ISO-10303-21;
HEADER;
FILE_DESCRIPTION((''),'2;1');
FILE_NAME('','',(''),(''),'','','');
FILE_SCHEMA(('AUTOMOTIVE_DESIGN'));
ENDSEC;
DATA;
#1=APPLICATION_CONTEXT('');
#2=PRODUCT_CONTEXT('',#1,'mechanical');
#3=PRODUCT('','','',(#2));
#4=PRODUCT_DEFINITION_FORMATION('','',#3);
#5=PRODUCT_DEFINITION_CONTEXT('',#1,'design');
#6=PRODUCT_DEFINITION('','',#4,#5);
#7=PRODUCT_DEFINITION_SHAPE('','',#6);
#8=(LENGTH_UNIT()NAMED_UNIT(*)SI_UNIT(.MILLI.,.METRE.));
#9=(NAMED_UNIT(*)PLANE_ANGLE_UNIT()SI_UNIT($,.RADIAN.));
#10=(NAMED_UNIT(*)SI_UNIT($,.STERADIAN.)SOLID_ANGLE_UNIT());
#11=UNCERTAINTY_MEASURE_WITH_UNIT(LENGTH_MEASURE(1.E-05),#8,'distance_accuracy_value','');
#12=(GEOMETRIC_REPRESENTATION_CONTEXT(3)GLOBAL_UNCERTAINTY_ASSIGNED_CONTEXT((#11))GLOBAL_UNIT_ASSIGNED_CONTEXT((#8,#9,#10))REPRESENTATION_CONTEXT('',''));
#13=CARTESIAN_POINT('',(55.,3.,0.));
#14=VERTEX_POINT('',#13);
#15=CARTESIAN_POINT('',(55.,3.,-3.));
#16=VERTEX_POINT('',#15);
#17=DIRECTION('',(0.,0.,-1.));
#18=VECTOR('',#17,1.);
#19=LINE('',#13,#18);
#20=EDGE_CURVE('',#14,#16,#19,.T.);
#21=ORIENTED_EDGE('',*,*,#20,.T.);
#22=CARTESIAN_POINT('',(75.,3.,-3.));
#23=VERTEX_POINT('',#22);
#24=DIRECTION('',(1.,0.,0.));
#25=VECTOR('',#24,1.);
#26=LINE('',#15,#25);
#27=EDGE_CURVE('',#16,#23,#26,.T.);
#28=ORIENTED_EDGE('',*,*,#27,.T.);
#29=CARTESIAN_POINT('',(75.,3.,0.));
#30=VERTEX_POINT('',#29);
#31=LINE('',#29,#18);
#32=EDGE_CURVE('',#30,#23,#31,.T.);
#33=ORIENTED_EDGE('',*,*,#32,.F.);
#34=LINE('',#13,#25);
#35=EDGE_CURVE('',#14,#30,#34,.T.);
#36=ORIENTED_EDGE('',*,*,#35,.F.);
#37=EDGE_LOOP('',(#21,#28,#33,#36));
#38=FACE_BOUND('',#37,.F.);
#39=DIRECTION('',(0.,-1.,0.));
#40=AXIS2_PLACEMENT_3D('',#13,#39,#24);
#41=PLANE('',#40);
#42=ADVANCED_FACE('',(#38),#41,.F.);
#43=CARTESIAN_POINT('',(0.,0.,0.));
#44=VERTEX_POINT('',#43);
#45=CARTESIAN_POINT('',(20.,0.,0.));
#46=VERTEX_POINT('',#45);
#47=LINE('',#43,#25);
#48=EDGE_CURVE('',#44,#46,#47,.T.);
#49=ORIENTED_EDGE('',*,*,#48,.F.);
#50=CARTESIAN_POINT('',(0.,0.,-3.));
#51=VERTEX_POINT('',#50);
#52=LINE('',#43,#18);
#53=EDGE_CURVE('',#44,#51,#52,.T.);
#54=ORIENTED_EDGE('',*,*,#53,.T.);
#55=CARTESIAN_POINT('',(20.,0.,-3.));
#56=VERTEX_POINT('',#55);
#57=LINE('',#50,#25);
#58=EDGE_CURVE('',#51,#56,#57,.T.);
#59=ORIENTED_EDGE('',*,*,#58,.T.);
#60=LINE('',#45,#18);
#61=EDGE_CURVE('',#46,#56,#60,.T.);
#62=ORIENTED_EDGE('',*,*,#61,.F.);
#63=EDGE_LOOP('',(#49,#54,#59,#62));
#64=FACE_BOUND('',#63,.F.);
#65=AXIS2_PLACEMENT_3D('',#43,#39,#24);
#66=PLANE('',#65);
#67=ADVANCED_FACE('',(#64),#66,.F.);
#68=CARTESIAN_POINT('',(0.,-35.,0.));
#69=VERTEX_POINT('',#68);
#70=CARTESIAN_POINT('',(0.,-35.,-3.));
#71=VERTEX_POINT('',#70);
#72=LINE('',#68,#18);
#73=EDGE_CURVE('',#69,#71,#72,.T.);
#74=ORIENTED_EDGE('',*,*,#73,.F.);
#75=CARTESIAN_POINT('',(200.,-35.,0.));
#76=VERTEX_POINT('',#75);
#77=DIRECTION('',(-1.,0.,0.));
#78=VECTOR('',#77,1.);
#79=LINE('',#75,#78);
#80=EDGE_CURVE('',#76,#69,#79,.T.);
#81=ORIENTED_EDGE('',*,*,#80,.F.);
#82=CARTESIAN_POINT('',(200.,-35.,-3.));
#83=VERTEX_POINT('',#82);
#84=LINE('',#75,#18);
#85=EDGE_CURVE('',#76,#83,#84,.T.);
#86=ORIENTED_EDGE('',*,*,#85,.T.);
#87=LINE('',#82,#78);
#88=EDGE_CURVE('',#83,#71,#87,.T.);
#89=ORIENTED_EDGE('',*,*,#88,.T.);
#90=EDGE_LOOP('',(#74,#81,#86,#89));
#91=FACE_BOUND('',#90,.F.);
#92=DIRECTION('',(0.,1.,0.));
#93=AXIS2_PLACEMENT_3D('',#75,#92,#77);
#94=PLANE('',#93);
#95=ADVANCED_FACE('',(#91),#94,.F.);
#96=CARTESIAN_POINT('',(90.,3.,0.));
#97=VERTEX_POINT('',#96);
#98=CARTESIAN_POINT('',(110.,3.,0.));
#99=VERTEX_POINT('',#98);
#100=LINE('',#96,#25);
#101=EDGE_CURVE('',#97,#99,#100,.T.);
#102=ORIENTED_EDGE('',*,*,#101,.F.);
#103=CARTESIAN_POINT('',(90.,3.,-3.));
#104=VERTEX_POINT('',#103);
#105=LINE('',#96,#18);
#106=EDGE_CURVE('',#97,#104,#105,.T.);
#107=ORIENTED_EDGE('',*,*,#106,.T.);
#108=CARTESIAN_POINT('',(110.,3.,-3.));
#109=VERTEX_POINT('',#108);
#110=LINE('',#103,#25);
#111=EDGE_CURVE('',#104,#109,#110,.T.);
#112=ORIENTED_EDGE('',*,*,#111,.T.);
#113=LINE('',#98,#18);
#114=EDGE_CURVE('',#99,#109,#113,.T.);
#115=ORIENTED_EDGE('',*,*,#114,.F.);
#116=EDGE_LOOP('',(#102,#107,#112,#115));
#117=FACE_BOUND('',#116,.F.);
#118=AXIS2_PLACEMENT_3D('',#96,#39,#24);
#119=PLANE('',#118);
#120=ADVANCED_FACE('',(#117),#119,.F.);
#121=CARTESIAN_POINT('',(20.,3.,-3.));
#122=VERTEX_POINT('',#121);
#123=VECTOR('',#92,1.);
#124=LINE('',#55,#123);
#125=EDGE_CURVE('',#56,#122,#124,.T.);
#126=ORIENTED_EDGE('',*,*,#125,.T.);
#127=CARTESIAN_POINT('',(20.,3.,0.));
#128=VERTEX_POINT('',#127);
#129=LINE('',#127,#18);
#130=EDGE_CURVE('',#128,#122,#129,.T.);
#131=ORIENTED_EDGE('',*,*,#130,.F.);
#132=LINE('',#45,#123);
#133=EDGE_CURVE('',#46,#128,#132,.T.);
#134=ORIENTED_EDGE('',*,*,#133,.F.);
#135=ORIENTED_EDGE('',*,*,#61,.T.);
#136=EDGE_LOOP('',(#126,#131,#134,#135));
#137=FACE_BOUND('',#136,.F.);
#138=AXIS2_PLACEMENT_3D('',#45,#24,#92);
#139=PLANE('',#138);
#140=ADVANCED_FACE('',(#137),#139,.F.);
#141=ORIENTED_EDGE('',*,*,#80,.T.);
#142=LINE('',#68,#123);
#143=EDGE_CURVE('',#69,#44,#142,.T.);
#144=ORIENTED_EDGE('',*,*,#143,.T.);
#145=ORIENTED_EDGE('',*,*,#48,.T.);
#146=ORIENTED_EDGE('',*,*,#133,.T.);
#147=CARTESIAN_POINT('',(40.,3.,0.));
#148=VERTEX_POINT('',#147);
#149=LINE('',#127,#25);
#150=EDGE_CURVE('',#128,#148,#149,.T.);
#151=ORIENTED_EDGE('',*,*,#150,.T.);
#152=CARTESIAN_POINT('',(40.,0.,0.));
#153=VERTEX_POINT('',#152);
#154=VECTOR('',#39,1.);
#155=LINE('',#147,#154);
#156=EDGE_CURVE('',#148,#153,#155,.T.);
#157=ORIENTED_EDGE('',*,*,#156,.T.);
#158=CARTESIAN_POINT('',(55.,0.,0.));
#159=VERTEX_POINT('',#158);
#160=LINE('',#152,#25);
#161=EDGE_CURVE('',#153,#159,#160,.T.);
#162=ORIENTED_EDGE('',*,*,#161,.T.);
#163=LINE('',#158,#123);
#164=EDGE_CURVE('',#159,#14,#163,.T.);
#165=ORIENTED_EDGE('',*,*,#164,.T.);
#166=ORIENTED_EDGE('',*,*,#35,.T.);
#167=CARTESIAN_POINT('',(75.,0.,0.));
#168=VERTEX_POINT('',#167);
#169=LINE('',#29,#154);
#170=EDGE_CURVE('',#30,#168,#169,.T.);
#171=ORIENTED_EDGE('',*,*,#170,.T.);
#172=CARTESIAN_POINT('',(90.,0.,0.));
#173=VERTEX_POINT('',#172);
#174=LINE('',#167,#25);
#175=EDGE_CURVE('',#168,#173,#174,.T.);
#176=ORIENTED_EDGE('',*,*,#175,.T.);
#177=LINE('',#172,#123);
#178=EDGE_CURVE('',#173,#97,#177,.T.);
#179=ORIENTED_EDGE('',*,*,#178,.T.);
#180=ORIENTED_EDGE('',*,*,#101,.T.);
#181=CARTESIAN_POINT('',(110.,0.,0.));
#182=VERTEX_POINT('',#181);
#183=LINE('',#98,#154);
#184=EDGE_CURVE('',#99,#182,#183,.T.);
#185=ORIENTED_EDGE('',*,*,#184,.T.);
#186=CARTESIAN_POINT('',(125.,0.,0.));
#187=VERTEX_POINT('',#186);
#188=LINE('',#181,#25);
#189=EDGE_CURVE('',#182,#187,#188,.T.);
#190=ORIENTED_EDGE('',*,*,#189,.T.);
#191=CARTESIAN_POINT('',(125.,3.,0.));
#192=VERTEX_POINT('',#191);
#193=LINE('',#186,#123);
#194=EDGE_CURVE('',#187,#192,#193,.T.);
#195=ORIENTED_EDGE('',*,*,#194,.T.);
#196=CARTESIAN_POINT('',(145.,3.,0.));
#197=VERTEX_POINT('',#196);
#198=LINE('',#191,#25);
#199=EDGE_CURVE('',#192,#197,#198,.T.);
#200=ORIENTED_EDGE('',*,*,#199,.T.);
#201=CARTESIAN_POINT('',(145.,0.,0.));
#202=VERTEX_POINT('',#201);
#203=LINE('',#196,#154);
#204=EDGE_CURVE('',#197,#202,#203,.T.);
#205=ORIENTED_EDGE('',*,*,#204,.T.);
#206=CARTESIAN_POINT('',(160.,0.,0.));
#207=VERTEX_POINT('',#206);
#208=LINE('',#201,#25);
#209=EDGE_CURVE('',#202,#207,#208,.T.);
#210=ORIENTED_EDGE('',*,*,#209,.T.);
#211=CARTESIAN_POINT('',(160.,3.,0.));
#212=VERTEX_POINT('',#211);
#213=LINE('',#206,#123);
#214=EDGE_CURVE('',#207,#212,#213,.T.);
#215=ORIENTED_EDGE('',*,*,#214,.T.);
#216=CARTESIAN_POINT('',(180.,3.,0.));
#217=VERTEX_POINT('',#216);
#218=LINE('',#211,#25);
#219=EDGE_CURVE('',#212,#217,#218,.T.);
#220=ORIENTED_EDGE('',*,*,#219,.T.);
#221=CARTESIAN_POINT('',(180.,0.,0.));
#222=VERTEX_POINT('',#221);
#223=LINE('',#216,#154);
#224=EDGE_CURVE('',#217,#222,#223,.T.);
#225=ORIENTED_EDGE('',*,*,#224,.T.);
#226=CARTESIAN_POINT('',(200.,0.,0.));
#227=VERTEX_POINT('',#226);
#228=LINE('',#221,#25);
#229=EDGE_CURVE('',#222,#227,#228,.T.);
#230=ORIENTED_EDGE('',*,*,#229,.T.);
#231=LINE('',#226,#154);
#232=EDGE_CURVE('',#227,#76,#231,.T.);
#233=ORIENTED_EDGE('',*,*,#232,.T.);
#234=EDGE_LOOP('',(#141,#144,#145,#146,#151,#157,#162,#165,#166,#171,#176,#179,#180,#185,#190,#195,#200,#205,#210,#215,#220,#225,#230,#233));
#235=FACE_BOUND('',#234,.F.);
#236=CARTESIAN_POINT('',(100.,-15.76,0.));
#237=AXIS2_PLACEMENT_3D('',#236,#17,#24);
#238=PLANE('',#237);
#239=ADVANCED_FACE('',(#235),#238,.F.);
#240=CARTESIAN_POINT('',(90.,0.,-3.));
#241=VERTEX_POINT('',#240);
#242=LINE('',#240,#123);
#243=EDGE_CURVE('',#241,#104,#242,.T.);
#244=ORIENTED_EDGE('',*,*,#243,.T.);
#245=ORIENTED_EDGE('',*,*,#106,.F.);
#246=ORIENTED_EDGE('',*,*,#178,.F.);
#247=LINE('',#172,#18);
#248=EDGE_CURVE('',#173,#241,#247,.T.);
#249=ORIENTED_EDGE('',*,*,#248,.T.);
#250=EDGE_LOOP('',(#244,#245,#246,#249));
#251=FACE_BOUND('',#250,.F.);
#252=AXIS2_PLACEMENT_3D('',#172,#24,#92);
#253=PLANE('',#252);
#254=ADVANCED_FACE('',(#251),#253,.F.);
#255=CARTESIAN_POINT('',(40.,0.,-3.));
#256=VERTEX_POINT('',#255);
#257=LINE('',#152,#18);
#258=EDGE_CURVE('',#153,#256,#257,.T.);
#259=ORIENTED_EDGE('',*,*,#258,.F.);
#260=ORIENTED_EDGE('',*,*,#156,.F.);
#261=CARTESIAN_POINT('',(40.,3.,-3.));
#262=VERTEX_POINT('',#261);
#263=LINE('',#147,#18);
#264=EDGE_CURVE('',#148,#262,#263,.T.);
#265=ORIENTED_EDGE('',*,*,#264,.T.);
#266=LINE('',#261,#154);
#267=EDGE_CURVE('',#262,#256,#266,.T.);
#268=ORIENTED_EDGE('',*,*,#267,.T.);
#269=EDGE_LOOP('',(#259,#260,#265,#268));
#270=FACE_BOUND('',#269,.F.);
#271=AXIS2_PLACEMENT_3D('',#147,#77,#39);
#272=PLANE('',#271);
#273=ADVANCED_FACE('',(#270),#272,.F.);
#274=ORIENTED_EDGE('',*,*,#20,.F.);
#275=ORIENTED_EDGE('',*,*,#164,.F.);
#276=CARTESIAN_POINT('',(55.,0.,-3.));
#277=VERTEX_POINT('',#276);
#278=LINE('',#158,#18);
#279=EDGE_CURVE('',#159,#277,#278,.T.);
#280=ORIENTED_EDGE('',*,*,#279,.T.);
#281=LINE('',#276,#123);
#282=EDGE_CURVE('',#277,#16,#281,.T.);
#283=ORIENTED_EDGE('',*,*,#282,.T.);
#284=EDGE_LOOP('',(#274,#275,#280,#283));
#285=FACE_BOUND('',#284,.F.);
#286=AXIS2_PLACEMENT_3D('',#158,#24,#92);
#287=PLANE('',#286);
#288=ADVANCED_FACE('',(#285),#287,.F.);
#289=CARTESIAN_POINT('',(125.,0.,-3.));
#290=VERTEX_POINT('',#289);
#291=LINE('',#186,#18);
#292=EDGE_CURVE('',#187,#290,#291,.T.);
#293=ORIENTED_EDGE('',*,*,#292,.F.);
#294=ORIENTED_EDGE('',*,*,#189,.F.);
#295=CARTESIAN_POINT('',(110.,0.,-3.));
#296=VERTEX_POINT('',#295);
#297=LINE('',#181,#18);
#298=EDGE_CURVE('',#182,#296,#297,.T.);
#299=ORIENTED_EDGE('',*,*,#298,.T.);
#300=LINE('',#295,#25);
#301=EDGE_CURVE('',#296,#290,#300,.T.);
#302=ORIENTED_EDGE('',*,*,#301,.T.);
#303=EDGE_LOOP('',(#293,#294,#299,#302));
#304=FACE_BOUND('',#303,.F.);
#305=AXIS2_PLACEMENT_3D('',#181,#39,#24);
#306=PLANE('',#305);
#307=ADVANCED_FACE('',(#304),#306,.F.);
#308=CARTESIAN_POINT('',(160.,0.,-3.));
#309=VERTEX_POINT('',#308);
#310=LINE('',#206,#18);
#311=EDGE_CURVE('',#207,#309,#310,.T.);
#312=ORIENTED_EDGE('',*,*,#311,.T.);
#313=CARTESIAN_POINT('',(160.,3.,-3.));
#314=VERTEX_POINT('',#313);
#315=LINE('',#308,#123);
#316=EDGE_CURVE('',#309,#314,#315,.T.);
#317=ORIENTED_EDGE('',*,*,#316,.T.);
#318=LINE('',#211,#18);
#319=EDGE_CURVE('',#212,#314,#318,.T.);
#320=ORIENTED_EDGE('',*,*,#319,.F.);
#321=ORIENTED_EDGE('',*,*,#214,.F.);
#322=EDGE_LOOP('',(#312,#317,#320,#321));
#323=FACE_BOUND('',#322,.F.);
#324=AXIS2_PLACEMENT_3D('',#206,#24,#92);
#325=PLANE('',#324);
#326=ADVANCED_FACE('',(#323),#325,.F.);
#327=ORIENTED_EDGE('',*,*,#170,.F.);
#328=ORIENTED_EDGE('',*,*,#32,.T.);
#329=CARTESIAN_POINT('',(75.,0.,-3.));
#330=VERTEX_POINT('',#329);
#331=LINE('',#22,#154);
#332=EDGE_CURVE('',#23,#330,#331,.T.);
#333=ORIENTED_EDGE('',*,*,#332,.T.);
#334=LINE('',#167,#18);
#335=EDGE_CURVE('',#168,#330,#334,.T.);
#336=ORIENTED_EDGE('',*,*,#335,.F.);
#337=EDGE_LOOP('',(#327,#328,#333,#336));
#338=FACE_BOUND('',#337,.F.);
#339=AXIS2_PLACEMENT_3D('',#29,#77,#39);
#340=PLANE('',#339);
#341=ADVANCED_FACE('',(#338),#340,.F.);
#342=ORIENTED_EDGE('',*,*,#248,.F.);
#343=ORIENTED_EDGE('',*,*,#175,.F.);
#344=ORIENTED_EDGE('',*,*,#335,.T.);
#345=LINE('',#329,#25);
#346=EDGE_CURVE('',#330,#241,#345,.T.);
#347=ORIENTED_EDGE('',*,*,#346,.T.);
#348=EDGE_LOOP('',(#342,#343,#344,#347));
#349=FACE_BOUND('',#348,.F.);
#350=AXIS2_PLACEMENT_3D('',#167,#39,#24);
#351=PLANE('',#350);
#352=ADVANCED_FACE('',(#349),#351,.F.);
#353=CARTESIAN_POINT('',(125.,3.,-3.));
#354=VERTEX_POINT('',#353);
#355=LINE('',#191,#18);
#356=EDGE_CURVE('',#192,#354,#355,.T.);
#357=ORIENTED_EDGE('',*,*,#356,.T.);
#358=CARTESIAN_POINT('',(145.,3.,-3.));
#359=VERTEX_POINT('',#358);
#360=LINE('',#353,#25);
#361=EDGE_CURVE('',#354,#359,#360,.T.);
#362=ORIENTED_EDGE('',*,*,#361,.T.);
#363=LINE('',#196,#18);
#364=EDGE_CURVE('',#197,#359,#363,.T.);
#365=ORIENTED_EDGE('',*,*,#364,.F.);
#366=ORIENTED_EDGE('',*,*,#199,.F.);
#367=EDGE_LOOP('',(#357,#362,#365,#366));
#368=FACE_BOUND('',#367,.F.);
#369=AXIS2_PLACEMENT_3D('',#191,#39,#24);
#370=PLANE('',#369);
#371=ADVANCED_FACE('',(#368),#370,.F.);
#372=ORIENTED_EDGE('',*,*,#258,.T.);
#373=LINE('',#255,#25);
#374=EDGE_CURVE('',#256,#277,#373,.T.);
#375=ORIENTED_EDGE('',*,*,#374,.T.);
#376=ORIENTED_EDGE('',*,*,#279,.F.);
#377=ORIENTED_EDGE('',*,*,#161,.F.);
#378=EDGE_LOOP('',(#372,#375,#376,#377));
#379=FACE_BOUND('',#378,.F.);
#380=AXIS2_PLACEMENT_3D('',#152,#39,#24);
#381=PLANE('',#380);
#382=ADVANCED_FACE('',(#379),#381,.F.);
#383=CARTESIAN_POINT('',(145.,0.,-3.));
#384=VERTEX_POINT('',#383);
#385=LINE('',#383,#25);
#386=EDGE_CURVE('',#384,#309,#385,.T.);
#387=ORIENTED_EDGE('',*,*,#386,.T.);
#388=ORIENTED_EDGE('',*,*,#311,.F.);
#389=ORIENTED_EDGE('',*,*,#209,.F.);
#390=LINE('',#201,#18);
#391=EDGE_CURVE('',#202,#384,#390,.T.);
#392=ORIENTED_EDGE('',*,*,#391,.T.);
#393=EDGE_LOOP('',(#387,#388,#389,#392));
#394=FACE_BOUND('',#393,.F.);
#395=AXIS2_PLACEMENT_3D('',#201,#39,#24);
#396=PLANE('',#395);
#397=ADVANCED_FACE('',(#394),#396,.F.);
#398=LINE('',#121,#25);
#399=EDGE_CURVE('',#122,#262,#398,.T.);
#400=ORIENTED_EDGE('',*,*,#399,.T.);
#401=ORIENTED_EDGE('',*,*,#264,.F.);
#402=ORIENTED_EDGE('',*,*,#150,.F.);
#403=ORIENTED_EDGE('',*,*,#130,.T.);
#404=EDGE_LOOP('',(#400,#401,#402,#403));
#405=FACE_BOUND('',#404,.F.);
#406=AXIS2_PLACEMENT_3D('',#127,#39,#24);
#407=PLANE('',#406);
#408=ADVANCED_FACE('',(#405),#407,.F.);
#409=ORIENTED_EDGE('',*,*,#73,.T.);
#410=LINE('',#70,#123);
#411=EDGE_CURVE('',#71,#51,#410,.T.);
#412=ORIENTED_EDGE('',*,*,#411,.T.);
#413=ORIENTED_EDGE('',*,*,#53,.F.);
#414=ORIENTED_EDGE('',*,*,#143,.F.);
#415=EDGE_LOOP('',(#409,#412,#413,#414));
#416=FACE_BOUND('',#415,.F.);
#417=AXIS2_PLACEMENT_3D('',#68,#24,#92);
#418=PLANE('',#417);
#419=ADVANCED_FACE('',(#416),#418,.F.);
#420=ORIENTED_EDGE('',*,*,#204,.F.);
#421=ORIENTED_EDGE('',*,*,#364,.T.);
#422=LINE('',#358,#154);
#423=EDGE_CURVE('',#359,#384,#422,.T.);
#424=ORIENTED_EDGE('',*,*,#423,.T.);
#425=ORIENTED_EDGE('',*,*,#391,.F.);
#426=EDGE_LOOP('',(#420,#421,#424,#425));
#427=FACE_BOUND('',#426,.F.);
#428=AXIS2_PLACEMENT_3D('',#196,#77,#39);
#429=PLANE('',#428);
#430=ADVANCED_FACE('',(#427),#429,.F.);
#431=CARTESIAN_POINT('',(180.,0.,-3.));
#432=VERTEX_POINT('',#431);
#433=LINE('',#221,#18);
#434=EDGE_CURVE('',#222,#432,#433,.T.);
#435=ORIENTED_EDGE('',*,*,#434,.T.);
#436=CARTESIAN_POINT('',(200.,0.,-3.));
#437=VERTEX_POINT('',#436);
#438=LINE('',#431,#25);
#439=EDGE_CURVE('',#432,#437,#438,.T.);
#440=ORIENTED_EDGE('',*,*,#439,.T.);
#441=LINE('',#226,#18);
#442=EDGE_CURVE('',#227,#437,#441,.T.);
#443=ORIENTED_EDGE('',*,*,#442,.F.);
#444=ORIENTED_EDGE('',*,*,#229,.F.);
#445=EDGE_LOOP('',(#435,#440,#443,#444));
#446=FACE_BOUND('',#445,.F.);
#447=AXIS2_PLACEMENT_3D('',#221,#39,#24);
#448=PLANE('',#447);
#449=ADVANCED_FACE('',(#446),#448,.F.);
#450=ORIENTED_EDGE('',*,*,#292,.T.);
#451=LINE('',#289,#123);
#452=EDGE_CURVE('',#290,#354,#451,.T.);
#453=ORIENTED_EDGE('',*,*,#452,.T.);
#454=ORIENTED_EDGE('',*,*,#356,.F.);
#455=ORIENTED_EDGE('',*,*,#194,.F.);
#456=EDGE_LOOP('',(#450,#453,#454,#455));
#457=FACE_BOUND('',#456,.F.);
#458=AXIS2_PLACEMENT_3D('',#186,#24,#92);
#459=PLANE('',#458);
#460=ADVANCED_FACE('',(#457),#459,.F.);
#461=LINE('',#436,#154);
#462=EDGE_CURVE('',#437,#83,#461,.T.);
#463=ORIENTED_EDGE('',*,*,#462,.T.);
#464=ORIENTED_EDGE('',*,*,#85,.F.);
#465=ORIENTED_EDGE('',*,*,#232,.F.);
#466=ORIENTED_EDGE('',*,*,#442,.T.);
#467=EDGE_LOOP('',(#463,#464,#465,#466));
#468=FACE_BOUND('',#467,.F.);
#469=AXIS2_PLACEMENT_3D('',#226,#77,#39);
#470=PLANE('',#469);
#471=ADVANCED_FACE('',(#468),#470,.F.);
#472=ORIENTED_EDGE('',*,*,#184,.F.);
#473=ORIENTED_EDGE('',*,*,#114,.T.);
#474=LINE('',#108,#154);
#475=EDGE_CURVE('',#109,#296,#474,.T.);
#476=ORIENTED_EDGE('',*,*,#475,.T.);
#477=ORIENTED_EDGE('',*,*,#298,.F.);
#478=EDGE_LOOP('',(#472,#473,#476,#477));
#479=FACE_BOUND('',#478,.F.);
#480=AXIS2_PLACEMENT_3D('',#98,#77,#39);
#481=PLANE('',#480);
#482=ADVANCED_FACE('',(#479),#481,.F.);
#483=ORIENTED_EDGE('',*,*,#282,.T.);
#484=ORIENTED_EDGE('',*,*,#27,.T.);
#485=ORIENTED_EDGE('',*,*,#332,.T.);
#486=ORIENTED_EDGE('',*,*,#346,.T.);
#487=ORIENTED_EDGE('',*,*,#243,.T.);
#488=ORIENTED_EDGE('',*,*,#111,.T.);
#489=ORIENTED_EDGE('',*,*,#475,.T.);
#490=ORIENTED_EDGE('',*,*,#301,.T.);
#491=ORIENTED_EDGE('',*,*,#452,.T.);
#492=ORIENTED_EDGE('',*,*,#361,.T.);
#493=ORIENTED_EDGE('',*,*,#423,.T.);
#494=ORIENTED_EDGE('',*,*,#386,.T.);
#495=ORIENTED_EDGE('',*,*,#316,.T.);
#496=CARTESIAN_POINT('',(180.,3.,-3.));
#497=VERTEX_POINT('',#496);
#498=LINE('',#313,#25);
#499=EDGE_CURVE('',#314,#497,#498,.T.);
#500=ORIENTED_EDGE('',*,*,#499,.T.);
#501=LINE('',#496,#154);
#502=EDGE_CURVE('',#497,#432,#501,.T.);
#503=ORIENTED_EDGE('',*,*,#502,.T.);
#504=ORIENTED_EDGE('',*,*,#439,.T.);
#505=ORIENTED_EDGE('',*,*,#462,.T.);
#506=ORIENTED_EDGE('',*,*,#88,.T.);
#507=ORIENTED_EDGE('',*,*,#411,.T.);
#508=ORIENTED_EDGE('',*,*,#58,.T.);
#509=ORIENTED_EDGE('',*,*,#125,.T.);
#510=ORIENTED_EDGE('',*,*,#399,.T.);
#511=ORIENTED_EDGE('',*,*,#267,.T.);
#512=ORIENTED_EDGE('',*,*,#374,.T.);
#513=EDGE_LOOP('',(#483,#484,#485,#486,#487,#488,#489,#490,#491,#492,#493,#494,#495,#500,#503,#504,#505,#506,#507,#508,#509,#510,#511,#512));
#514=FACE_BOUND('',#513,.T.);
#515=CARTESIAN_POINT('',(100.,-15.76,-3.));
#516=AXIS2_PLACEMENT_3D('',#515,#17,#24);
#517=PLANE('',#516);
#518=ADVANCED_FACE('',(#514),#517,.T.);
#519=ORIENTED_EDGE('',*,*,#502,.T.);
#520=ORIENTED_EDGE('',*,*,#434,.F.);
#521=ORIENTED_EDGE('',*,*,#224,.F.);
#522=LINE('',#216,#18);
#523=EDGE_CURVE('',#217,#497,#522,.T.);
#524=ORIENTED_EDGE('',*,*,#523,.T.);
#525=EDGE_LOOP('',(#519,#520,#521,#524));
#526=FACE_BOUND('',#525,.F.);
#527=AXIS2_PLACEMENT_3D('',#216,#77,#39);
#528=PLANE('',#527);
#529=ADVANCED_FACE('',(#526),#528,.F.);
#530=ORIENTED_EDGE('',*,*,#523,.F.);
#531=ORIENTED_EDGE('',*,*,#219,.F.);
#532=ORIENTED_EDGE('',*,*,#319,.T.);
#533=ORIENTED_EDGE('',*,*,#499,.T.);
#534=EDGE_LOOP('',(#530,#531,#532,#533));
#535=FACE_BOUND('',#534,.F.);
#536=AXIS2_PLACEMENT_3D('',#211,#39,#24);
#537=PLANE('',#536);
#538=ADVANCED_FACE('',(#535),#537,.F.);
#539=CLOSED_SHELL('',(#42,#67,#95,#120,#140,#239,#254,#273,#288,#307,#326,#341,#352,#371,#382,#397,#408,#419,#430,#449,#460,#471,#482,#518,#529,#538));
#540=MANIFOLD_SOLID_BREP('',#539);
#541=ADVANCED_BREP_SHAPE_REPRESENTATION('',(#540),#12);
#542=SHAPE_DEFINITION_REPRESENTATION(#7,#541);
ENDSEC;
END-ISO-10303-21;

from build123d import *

# Parameters (mm, degrees)
BOSS_EXTRUDE1_DEPTH = 3


with BuildPart() as part:
    # Sketch1 → Boss-Extrude1 (new body)
    with BuildSketch(Plane(origin=(0, 0, 0), x_dir=(1, 0, 0), z_dir=(0, 0, -1))):
        Polygon((40, 0), (55, 0), (55, -3), (75, -3), (75, 0), (90, 0), (90, -3), (110, -3), (110, 0), (125, 0), (125, -3), (145, -3), (145, 0), (160, 0), (160, -3), (180, -3), (180, 0), (200, 0), (200, 35), (0, 35), (0, 0), (20, 0), (20, -3), (40, -3), align=None)
    extrude(amount=BOSS_EXTRUDE1_DEPTH)


solid = part.part
